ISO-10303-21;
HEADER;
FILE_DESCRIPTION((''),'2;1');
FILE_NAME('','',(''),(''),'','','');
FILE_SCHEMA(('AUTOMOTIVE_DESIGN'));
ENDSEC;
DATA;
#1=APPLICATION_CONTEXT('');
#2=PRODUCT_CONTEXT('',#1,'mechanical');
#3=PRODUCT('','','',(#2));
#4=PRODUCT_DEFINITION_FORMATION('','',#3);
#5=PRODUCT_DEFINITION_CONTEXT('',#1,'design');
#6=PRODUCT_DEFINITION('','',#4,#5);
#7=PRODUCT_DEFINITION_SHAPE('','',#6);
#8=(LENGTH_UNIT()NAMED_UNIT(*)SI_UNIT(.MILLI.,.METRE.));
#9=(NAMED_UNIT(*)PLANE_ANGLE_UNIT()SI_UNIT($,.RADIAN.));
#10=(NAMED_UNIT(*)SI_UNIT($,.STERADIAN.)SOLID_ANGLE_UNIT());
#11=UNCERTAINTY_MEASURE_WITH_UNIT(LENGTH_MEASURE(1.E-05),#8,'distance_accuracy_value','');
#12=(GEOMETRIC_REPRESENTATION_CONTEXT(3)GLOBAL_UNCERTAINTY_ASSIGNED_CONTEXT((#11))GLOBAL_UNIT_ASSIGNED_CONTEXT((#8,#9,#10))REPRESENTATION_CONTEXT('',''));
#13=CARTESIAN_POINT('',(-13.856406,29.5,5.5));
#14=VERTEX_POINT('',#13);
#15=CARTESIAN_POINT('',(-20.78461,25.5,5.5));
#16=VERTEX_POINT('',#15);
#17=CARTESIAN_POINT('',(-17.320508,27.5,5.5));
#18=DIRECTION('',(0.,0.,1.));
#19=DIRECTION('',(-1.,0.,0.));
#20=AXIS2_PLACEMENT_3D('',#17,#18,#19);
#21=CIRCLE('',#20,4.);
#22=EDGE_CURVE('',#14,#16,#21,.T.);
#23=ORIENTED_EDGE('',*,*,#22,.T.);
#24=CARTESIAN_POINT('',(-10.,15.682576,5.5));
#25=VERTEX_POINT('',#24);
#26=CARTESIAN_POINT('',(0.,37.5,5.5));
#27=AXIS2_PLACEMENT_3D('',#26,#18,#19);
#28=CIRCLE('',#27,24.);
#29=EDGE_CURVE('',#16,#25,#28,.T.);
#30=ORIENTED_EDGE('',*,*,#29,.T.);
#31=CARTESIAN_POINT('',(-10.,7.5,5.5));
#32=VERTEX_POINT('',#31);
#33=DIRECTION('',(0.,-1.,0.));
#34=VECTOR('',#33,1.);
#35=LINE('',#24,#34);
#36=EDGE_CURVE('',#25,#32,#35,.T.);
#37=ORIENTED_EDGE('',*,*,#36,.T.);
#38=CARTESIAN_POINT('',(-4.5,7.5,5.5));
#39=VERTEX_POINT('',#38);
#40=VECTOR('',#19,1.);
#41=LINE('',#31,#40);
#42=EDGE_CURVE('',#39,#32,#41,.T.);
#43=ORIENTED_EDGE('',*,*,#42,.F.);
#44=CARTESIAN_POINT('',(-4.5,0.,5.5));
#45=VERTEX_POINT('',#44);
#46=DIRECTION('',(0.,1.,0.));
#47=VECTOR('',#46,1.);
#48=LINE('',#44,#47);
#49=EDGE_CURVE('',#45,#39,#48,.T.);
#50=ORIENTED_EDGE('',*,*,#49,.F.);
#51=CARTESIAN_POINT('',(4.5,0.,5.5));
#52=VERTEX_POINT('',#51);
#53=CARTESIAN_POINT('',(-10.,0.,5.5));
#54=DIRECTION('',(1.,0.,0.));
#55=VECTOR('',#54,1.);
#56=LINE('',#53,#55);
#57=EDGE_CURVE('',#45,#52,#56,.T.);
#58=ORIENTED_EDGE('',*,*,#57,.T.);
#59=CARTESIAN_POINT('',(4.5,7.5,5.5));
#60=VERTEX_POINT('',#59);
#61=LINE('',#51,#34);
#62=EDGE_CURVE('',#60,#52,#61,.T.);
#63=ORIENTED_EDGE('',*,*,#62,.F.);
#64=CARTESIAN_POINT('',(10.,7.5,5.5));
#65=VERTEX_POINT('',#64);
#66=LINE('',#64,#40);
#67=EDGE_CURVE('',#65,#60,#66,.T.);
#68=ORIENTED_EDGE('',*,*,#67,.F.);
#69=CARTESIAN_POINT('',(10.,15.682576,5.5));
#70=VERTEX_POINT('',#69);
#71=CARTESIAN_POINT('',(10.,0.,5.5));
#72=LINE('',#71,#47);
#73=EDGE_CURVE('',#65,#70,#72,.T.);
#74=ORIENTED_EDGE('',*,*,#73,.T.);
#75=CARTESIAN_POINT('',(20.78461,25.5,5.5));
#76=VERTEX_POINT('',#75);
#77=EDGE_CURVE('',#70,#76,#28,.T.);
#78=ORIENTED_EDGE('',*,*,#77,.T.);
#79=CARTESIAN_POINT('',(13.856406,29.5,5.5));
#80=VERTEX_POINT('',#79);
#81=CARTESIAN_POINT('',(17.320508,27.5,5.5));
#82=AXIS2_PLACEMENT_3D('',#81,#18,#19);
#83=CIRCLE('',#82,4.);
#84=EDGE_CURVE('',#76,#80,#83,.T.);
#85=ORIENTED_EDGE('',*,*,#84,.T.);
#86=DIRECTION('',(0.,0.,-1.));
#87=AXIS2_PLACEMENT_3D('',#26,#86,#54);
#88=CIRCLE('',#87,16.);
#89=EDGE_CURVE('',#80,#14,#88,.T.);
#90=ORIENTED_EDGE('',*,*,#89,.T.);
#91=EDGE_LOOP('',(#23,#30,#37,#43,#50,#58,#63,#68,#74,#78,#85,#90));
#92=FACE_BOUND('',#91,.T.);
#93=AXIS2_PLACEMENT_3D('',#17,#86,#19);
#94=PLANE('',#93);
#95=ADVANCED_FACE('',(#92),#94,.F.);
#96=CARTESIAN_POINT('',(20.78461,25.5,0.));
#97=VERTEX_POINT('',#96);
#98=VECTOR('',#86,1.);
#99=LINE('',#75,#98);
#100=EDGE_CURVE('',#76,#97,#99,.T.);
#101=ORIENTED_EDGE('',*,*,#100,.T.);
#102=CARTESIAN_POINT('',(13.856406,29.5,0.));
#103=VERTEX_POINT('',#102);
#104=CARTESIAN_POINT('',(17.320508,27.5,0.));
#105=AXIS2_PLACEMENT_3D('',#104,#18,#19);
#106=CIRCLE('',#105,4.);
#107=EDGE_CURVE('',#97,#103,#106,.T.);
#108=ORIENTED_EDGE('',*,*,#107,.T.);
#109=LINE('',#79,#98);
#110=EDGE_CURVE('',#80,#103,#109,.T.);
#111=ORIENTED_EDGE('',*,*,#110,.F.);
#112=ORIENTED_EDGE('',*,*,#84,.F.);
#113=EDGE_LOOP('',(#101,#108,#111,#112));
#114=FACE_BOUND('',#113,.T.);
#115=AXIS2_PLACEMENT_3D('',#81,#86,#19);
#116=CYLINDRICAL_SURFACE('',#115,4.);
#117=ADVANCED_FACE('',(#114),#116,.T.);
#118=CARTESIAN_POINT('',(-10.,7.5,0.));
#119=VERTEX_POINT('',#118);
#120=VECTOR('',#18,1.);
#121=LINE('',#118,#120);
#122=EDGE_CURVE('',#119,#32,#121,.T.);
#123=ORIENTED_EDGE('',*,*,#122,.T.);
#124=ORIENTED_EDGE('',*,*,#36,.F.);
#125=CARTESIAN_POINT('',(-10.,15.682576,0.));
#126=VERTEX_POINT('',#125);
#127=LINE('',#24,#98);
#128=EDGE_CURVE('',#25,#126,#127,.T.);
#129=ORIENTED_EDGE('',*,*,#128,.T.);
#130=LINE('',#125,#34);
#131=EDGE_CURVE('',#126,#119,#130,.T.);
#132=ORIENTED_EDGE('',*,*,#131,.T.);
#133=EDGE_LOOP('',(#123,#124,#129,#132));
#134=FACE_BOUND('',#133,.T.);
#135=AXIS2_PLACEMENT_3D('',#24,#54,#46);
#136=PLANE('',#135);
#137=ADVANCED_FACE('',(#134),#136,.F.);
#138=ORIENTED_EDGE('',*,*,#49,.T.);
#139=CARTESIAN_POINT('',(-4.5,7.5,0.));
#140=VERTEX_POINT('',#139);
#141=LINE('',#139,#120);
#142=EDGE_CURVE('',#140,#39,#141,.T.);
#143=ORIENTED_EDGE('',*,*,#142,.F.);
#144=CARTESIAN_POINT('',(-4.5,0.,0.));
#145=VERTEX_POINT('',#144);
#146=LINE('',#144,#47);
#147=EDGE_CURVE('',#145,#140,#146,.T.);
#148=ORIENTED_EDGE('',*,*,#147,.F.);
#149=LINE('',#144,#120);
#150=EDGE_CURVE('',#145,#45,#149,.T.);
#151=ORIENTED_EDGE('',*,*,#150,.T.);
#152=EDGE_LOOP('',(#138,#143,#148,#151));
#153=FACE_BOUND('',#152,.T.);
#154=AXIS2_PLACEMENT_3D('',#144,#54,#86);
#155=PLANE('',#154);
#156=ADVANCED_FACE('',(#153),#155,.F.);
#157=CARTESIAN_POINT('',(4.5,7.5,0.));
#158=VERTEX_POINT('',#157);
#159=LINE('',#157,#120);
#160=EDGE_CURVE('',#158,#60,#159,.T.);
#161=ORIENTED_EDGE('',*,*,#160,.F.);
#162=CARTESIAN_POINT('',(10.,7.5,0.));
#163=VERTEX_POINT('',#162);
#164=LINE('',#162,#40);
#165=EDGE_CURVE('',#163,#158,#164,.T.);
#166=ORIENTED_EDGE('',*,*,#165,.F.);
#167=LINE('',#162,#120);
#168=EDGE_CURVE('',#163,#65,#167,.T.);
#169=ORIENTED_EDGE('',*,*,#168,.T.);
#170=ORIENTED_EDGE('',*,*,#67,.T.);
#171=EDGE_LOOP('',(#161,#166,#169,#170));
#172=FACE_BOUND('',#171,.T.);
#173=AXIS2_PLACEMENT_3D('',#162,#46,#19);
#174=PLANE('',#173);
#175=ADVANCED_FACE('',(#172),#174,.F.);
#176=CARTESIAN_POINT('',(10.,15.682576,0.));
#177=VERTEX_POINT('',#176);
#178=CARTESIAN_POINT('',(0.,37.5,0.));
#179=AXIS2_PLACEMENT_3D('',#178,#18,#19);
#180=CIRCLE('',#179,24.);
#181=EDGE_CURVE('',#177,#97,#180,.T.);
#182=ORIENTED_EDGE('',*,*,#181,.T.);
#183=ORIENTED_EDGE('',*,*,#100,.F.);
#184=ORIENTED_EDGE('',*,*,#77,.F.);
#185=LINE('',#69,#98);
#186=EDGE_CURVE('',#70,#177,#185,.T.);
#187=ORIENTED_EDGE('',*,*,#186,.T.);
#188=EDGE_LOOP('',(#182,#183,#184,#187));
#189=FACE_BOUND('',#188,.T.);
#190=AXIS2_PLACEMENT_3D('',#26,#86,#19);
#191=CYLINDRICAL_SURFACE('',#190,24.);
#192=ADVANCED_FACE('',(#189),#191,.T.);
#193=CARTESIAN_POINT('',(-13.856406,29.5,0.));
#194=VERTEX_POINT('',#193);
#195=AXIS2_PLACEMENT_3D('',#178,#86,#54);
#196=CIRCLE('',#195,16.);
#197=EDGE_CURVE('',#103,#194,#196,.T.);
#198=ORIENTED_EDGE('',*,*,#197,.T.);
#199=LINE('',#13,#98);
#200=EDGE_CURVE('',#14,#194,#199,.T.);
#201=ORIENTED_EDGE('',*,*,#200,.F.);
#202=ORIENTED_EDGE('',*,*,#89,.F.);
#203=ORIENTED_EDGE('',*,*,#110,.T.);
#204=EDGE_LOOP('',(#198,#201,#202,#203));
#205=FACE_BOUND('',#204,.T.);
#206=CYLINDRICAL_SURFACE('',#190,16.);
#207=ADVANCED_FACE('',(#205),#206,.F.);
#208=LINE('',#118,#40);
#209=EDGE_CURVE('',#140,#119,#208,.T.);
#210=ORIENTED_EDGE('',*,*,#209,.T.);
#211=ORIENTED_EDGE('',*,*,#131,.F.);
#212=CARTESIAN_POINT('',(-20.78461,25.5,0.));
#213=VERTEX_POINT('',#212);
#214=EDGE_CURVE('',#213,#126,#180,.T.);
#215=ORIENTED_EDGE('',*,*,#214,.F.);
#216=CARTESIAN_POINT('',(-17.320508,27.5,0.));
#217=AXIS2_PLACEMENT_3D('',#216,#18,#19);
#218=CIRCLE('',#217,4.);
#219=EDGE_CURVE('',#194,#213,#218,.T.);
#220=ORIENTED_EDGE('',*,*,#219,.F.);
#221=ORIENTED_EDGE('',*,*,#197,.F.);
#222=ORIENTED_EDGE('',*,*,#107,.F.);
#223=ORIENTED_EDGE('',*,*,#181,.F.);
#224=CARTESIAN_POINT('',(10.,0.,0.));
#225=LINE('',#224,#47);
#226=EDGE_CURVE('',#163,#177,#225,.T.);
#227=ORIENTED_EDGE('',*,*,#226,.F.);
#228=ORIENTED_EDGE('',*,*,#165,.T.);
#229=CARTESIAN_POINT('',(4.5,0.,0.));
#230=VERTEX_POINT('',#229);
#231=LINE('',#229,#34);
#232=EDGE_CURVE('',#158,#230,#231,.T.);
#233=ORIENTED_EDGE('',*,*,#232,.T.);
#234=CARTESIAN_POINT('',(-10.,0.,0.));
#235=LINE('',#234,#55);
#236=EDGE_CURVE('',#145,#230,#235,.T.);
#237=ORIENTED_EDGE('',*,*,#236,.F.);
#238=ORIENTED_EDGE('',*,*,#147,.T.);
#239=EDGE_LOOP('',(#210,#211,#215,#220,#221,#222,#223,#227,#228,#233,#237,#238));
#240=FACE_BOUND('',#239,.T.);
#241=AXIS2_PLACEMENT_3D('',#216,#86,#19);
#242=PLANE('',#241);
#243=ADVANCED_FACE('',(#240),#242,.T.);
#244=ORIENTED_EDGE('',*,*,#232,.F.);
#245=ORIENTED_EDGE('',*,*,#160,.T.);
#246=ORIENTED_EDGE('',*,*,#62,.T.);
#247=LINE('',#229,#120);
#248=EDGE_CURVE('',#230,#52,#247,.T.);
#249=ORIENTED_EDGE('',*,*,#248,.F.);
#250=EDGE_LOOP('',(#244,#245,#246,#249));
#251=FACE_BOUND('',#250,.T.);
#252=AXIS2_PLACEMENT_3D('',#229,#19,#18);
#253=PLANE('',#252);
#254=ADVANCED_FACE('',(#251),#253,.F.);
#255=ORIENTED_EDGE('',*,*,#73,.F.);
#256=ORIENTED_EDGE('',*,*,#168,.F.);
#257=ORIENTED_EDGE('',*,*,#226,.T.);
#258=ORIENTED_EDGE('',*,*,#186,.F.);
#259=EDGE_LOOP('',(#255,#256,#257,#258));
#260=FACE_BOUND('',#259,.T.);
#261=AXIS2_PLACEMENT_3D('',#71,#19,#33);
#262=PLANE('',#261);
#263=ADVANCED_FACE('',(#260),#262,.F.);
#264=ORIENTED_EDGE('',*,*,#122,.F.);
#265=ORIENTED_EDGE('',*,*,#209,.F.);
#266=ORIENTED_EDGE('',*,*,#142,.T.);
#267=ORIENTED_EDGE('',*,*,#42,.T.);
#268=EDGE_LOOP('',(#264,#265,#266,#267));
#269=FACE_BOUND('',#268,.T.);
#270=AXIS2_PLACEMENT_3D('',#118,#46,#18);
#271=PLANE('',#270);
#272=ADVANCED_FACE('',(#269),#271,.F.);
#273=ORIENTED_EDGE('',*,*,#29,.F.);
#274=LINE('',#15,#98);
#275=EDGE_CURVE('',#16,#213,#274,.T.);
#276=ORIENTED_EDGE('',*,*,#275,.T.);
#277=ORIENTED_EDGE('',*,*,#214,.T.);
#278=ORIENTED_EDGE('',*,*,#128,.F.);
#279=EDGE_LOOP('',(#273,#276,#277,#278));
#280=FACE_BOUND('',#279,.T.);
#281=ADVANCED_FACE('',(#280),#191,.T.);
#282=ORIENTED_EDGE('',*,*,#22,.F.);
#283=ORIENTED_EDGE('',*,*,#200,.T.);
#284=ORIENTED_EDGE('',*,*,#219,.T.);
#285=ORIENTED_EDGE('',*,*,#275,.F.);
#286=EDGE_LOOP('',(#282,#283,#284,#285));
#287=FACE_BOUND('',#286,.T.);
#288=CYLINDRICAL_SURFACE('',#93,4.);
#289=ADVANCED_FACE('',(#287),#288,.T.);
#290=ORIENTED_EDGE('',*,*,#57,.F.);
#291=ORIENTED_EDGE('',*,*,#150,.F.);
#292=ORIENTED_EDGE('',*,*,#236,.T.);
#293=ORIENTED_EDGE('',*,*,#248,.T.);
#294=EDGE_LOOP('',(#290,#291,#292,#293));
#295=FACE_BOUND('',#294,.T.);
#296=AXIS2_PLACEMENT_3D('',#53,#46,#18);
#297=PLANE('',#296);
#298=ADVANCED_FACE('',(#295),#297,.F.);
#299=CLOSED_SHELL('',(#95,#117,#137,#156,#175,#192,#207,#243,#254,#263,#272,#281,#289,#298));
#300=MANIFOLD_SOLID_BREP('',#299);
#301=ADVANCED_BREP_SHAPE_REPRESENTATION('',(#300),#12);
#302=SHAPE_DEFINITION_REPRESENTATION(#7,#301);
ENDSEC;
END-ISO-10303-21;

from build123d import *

# Parameters (mm, degrees)
EXTRUDE_1_DEPTH     = 5.5
SKETCH_2_W          = 5.5
SKETCH_2_H          = 7.5
CUT_EXTRUDE_1_DEPTH = 39.432591177


with BuildPart() as part:
    # ｽｹｯﾁ1 → ﾎﾞｽ - 押し出し1 (new body)
    with BuildSketch(Plane.XY):
        with BuildLine():
            Line((-10, 15.682575771), (-10, 0))
            Line((-10, 0), (10, 0))
            Line((10, 0), (10, 15.682575771))
            ThreePointArc((10, 15.682575771), (16.156067067, 19.752281924), (20.784609691, 25.5))
            ThreePointArc((20.784609691, 25.5), (19.320508076, 30.964101615), (13.856406461, 29.5))
            ThreePointArc((13.856406461, 29.5), (0, 21.5), (-13.856406461, 29.5))
            ThreePointArc((-13.856406461, 29.5), (-19.320508076, 30.964101615), (-20.784609691, 25.5))
            ThreePointArc((-20.784609691, 25.5), (-16.156067067, 19.752281924), (-10, 15.682575771))
        make_face()
    extrude(amount=EXTRUDE_1_DEPTH)

    # ｽｹｯﾁ2 → ｶｯﾄ - 押し出し1 (cut, through all)
    with BuildSketch(Plane.XY.offset(5.5)):
        with Locations((7.25, 3.75)):
            Rectangle(SKETCH_2_W, SKETCH_2_H)
        with Locations((-7.25, 3.75)):
            Rectangle(SKETCH_2_W, SKETCH_2_H)
    extrude(amount=-CUT_EXTRUDE_1_DEPTH, mode=Mode.SUBTRACT)


solid = part.part
